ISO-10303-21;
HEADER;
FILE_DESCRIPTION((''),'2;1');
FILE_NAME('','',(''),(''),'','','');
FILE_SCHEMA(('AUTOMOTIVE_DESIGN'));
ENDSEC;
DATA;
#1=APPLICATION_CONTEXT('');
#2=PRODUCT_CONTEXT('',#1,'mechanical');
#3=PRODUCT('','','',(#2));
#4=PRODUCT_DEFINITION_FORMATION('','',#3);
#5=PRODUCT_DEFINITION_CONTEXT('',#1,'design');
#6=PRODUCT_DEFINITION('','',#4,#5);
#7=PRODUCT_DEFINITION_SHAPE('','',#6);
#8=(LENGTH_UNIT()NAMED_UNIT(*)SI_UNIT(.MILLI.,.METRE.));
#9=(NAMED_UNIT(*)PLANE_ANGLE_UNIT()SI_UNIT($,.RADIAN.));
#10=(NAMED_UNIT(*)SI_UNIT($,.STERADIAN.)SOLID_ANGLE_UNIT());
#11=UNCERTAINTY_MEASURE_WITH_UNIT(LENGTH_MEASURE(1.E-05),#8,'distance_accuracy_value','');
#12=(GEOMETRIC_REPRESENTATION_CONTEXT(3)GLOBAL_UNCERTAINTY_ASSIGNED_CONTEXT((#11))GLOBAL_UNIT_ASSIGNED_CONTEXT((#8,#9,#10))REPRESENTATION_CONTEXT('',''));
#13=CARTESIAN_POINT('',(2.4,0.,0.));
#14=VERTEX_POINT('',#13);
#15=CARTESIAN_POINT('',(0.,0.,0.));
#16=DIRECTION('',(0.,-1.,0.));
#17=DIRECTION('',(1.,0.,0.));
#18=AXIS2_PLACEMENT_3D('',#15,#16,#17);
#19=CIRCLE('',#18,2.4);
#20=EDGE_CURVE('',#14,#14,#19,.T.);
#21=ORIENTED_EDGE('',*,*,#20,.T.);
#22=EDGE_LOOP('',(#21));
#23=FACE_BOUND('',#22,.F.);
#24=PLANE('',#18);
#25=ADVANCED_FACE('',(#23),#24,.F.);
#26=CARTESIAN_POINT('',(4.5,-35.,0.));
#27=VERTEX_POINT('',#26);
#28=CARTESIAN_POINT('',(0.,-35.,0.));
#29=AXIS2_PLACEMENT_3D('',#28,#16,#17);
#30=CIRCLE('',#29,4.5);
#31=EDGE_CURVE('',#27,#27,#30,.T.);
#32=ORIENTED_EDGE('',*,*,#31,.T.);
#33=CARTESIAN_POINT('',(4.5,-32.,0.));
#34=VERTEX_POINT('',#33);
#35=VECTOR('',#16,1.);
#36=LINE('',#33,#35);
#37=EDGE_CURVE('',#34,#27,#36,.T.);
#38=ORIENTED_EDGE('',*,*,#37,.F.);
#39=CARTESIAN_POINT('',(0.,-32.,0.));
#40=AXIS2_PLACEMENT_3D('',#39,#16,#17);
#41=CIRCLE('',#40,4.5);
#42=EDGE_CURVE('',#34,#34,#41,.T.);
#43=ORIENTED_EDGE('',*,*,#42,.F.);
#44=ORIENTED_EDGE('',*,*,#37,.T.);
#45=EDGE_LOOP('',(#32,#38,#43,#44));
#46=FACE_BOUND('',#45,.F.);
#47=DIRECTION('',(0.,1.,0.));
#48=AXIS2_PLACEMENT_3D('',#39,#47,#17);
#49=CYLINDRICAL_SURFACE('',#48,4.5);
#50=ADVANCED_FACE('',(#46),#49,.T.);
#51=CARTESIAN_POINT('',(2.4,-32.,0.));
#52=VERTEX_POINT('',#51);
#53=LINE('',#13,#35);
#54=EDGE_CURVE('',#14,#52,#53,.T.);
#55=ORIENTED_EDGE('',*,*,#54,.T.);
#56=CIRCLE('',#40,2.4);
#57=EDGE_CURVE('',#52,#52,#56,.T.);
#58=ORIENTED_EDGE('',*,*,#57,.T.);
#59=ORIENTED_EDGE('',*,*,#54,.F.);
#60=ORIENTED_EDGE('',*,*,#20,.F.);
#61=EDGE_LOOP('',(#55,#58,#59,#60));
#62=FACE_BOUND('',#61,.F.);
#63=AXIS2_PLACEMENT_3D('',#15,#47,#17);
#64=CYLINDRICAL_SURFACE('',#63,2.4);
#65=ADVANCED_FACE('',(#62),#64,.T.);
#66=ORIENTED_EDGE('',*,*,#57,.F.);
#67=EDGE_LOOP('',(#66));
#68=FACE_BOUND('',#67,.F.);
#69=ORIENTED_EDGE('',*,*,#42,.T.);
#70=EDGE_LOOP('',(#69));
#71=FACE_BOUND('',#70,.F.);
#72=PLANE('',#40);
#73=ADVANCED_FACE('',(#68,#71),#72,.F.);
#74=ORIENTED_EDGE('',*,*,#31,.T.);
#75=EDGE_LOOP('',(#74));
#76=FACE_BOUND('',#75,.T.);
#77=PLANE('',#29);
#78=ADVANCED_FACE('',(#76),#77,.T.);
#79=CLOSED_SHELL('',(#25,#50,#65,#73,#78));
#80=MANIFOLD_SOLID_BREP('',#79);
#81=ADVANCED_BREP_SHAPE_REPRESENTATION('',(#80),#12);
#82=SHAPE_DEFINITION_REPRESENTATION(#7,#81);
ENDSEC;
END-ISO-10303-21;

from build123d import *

# Parameters (mm, degrees)
F0_R     = 2.4
F1_DEPTH = 32
F2_R     = 4.5
F2_R_2   = 2.4
F3_DEPTH = 3


with BuildPart() as f1:
    # F0 (on Front) → F1 (new body)
    with BuildSketch(Plane.XZ):
        Circle(F0_R)
    extrude(amount=F1_DEPTH)

    # F2 (on face) → F3 (join)
    with BuildSketch(Plane.XZ.offset(32)):
        Circle(F2_R)
        Circle(F2_R_2, mode=Mode.SUBTRACT)
        Circle(F2_R_2)
    extrude(amount=F3_DEPTH)


solid = f1.part
